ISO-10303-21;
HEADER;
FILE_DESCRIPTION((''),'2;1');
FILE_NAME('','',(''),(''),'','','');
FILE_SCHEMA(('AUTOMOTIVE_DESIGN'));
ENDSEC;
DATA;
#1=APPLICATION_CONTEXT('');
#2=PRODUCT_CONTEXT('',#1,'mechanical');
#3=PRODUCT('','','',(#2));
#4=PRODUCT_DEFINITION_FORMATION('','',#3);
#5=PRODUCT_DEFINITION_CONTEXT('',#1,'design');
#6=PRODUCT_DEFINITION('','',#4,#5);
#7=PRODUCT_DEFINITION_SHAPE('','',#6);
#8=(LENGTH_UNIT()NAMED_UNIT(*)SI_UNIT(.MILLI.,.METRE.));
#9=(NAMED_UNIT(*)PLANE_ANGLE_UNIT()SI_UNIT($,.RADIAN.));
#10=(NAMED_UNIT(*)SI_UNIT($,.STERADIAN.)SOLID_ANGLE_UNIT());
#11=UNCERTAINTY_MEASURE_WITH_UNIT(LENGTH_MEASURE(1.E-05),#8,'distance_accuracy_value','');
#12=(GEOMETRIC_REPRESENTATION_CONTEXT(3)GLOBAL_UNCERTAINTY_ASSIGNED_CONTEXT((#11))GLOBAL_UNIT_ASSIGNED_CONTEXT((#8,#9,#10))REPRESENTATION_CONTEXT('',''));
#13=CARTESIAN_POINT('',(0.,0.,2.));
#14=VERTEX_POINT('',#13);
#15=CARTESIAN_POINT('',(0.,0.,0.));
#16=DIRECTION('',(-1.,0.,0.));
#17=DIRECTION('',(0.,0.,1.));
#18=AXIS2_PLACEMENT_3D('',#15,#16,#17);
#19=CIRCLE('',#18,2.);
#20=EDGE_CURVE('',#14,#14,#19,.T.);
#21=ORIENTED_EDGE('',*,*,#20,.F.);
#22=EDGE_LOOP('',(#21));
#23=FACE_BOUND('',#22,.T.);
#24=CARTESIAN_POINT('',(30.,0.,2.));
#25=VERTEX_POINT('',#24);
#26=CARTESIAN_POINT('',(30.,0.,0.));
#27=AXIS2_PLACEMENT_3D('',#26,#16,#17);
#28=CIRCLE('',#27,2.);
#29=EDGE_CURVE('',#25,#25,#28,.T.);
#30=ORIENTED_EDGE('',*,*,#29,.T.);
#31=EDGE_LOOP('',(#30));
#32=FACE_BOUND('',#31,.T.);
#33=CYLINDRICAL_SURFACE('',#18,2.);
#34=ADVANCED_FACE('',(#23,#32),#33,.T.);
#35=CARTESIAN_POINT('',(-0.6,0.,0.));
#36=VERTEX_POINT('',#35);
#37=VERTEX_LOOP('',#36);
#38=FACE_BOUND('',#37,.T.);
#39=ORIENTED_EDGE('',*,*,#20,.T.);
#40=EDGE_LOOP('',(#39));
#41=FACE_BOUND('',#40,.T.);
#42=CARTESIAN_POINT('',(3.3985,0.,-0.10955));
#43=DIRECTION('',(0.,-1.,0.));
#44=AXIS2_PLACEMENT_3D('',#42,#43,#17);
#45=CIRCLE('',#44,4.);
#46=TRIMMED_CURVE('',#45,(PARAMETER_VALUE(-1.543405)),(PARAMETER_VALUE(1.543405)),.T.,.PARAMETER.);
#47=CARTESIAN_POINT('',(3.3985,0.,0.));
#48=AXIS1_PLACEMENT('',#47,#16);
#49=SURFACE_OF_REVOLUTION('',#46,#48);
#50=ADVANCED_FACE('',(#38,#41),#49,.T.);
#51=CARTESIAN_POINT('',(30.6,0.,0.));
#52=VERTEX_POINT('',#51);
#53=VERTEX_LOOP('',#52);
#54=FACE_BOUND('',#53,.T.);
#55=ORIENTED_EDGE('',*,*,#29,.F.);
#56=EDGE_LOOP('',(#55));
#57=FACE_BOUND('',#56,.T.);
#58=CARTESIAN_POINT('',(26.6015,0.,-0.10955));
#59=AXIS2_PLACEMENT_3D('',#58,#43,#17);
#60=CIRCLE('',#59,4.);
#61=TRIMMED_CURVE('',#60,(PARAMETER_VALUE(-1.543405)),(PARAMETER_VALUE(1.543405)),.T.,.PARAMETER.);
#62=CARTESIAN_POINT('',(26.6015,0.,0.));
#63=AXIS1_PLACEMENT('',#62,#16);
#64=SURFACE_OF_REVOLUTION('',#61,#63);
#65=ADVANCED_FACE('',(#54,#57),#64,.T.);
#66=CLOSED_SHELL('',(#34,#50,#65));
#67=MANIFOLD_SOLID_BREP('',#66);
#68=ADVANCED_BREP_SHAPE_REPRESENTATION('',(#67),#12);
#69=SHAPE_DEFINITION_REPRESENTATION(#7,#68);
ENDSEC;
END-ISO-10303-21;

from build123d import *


with BuildPart() as part:
    # Эскиз1 → Повернуть2 (revolve)
    with BuildSketch(Plane.XY, mode=Mode.PRIVATE) as revolve_2_sk:
        with BuildLine():
            Line((0, 2), (30, 2))
            ThreePointArc((30, 2), (30.432805569, 1.039841671), (30.6, 0))
            Line((30.6, 0), (-0.6, 0))
            ThreePointArc((-0.6, 0), (-0.432805569, 1.039841671), (0, 2))
        make_face()
    revolve(revolve_2_sk.sketch.rotate(Axis((0, 0, 0), (1, 0, 0)), 90), axis=Axis((0, 0, 0), (1, 0, 0)))


solid = part.part
